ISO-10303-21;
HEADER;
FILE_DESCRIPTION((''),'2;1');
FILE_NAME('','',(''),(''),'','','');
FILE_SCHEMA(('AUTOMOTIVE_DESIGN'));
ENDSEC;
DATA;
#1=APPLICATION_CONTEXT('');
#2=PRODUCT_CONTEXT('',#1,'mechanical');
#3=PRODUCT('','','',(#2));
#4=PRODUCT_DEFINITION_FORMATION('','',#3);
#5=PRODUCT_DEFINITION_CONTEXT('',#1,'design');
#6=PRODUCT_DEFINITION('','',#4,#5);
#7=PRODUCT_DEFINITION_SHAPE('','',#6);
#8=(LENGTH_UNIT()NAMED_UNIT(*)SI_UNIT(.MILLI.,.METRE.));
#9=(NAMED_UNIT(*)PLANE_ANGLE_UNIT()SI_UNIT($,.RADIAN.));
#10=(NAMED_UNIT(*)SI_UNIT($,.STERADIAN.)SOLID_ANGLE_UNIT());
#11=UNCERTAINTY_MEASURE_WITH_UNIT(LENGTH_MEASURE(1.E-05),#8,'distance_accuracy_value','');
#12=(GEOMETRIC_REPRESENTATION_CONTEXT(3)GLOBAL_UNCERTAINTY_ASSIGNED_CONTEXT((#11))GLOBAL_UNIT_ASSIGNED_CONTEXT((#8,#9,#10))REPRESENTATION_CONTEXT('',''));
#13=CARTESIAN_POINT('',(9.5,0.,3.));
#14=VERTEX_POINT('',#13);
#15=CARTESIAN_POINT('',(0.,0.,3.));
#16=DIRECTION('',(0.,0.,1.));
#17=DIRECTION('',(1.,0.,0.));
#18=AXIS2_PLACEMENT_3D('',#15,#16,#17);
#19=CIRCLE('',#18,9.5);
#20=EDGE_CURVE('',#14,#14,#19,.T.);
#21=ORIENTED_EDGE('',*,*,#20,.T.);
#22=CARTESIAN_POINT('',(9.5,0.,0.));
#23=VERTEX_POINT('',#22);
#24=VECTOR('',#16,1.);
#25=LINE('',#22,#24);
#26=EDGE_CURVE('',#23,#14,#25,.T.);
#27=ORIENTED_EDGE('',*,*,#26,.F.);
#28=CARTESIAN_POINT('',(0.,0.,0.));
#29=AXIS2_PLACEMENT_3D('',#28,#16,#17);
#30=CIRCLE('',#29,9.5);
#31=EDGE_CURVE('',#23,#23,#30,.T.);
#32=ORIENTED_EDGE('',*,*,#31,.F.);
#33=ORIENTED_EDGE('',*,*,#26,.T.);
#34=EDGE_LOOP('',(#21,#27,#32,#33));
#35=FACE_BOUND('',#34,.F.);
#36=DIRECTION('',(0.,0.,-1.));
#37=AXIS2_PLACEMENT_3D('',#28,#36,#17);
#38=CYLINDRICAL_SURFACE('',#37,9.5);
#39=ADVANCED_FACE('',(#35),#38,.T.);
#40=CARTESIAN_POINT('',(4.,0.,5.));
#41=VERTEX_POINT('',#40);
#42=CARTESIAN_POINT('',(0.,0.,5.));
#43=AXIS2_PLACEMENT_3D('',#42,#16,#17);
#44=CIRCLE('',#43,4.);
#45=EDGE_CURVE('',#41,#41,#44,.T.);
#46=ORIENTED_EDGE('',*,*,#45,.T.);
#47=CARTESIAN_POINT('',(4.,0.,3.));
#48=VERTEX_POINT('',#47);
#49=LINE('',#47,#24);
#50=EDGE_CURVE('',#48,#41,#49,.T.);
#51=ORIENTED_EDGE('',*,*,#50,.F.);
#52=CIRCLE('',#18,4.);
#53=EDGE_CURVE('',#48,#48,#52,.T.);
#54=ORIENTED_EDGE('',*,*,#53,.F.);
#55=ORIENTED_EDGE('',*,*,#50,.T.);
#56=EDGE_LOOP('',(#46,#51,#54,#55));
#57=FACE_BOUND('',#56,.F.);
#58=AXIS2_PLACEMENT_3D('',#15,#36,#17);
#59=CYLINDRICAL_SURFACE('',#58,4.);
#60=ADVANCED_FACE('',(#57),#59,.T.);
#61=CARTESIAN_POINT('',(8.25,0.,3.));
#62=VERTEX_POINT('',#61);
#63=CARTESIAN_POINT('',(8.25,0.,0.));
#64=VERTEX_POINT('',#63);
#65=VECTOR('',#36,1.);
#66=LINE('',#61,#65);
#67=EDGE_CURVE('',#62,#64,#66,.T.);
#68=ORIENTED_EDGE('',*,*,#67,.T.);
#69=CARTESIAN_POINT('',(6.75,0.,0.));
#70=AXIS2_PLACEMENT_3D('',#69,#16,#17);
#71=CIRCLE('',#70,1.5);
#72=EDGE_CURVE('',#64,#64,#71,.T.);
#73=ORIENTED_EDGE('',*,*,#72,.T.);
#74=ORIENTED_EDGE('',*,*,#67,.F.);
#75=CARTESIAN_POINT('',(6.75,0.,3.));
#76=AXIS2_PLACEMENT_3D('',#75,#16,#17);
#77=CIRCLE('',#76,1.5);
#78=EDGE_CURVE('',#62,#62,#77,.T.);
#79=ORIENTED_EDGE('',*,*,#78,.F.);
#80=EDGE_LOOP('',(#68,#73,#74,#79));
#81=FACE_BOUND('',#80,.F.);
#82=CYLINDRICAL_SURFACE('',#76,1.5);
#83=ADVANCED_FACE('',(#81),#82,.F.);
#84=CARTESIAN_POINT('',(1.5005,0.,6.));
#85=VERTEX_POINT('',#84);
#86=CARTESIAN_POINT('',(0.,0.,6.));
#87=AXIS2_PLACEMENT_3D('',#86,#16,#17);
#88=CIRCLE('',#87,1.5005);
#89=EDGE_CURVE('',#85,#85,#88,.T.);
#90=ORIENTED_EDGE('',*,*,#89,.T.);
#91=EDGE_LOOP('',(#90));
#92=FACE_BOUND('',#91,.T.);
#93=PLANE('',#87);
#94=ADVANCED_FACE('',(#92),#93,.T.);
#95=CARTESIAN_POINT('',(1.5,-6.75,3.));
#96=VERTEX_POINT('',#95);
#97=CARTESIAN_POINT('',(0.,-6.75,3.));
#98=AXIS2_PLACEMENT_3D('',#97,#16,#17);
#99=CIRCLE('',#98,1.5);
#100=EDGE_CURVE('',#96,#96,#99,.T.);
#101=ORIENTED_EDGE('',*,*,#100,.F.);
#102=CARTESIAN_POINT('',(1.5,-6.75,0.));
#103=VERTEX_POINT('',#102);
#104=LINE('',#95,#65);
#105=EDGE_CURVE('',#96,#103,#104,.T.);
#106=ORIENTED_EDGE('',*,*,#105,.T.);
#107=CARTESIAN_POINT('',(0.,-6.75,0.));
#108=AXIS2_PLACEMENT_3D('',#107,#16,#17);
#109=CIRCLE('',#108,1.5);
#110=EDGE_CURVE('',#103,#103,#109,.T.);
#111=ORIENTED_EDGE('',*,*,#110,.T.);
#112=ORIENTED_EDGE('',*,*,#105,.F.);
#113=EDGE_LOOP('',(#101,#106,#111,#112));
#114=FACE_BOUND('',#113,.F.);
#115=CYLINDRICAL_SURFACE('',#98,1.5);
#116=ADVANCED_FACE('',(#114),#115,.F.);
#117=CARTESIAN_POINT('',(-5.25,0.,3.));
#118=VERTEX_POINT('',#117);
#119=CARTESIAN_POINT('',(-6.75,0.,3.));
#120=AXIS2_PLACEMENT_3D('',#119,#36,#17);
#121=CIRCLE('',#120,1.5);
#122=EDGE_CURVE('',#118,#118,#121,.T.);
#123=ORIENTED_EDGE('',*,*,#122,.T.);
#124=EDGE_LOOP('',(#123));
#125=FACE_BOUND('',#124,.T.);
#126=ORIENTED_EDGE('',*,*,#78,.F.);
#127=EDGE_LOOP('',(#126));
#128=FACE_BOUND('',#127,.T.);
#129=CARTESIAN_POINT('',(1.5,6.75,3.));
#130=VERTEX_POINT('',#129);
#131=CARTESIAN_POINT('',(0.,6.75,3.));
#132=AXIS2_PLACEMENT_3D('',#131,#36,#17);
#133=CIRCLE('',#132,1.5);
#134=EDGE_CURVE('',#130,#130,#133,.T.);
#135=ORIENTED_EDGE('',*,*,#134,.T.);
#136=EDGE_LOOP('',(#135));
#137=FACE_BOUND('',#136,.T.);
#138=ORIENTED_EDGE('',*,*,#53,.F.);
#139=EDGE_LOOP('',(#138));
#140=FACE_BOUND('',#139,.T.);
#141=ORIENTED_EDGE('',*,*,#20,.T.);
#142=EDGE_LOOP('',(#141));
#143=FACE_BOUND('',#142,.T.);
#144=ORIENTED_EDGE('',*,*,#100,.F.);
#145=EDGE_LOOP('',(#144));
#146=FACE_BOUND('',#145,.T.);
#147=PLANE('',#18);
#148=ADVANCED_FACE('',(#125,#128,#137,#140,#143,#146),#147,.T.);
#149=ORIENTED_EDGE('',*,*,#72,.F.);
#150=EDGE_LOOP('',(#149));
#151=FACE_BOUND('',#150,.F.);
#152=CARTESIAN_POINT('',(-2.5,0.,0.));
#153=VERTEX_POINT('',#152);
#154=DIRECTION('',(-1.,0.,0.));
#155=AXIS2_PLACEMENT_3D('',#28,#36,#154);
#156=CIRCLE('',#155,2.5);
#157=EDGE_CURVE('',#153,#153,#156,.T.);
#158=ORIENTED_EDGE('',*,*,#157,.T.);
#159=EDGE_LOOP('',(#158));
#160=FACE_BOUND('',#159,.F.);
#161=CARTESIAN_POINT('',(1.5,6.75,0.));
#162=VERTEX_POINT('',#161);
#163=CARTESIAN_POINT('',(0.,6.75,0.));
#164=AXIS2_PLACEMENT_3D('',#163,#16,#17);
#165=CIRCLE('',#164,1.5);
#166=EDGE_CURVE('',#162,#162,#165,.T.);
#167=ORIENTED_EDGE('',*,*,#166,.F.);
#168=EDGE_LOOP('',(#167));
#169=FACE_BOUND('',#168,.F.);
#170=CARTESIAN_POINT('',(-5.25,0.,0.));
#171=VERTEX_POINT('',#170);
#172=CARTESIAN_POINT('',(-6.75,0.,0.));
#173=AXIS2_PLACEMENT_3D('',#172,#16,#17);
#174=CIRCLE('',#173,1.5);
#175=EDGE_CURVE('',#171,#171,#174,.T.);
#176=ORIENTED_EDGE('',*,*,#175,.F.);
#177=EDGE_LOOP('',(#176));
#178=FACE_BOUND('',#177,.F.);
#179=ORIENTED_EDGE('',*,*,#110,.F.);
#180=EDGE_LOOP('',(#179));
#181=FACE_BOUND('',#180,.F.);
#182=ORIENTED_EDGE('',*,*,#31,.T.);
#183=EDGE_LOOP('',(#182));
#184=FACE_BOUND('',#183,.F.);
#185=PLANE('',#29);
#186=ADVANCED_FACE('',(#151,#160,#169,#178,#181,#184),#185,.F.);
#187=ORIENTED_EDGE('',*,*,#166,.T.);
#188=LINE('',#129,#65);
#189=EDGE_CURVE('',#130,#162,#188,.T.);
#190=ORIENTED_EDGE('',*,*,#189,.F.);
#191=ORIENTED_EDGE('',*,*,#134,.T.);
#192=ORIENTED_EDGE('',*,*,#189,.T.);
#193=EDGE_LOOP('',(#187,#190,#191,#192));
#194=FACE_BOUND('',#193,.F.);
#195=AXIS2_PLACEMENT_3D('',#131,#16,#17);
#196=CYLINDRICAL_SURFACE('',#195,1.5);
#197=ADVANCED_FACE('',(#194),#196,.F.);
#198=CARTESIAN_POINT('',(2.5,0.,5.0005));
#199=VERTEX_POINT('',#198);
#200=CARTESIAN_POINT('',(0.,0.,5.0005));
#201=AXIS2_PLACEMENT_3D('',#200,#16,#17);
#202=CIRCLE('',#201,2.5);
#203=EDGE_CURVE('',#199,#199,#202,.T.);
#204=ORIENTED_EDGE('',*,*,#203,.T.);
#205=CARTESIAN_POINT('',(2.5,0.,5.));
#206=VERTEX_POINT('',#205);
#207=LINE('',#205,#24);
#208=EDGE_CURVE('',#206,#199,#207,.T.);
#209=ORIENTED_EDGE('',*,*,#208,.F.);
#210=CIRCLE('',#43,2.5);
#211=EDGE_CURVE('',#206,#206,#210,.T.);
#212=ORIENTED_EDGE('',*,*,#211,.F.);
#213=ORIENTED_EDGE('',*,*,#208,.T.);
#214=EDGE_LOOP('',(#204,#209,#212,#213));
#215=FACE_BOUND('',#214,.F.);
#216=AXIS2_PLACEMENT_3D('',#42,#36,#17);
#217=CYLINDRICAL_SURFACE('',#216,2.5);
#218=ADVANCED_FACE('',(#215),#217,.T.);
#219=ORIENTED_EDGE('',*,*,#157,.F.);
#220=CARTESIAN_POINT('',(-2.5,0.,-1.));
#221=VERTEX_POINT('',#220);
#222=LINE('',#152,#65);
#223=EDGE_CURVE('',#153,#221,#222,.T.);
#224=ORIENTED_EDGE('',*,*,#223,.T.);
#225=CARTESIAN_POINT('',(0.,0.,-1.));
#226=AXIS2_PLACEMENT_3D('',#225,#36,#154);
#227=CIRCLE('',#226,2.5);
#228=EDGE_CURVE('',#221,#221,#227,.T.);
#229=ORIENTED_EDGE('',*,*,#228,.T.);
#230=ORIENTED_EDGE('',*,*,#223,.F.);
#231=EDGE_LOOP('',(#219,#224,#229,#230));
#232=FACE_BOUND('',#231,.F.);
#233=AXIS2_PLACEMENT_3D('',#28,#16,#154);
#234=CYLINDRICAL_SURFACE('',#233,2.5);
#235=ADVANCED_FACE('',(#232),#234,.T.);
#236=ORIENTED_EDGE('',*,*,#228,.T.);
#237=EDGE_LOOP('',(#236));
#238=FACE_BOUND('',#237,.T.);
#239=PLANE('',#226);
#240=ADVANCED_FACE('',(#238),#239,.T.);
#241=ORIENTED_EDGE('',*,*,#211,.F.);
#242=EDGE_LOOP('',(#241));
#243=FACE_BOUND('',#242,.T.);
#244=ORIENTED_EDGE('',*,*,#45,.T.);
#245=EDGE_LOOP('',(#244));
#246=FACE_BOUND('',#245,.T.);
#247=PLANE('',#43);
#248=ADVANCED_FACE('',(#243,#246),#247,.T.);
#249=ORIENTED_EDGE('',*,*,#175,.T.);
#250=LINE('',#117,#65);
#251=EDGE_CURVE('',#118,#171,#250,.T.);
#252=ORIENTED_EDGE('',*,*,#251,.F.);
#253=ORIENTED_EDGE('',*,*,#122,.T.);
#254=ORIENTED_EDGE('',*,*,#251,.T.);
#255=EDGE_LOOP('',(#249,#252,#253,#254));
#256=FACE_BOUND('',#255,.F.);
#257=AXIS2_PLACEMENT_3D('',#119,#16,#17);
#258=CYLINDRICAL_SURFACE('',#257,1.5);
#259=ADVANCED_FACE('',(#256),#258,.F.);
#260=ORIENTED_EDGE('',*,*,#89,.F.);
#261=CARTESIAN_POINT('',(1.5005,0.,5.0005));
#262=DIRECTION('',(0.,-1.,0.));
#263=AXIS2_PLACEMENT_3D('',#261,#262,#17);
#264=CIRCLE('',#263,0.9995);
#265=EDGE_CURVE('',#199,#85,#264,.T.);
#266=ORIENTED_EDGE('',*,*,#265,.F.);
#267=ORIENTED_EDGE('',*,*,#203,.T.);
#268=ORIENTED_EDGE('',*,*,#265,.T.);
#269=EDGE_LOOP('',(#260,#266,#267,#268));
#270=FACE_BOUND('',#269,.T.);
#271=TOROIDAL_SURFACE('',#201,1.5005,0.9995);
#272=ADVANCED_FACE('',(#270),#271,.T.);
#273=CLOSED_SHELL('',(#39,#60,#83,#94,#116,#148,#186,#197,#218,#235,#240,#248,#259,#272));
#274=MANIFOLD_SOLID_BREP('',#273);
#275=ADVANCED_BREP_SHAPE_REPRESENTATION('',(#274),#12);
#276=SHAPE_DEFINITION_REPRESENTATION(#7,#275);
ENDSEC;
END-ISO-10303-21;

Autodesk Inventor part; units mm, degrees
ref_plane "YZ Plane" through (0, 0, 0) normal (1, 0, 0) x (0, 1, 0)
ref_plane "XZ Plane" through (0, 0, 0) normal (0, 1, 0) x (-1, 0, 0)
ref_plane "XY Plane" through (0, 0, 0) normal (0, 0, 1) x (1, 0, 0)
sketch "Sketch1" plane through (0, 0, 0) normal (0, 0, 1) x (1, 0, 0)
  circle A0 centre (0, 0) radius 9.5
  dimension "d0" = 19
extrude "Extrusion1" add sketch "Sketch1" along normal blind 3
sketch "Sketch2" plane through (0, 0, 3) normal (0, 0, 1) x (1, 0, 0)
  circle A0 centre (0, 0) radius 9.5 projected
  circle A1 centre (0, 0) radius 4
  dimension "d3" = 8
extrude "Extrusion2" add sketch "Sketch2" along normal blind 2 contours A1
sketch "Sketch3" plane through (0, 0, 5) normal (0, 0, 1) x (1, 0, 0)
  circle A0 centre (0, 0) radius 4 projected
  circle A1 centre (0, 0) radius 2.5
  dimension "d6" = 5
extrude "Extrusion3" add sketch "Sketch3" along normal blind 1 contours A1
fillet "Fillet1" radius 1 1 edges at (-2.5, 0, 6)
sketch "Sketch4" plane through (0, 0, 3) normal (0, 0, 1) x (1, 0, 0)
  circle A0 centre (0, 0) radius 4 projected
  line L0 (0, 4) -> (0, 9.5)
  circle A1 centre (0, 0) radius 9.5 projected
  line L1 (-9.5, 0) -> (-4, 0)
  line L2 (-13.3, 0) -> (13.3, 0) construction
  line L3 (0, -13.3) -> (0, 13.3) construction
  circle A2 centre (0, 6.75) radius 1.5
  circle A3 centre (0, -6.75) radius 1.5
  circle A4 centre (-6.75, 0) radius 1.5
  circle A5 centre (6.75, 0) radius 1.5
  dimension "d10" = 3
extrude "Extrusion4" cut sketch "Sketch4" against normal through all contours A2 L0 | L0 A2 | A4 L1 | L1 A4 | A3 | A5
sketch "Sketch5" plane through (0, 0, 0) normal (0, 0, -1) x (-1, 0, 0)
  circle A0 centre (0, 0) radius 2.5 projected
extrude "Extrusion5" add sketch "Sketch5" along normal blind 1
properties part number "FeeTechSTS3025BL-Flange"
